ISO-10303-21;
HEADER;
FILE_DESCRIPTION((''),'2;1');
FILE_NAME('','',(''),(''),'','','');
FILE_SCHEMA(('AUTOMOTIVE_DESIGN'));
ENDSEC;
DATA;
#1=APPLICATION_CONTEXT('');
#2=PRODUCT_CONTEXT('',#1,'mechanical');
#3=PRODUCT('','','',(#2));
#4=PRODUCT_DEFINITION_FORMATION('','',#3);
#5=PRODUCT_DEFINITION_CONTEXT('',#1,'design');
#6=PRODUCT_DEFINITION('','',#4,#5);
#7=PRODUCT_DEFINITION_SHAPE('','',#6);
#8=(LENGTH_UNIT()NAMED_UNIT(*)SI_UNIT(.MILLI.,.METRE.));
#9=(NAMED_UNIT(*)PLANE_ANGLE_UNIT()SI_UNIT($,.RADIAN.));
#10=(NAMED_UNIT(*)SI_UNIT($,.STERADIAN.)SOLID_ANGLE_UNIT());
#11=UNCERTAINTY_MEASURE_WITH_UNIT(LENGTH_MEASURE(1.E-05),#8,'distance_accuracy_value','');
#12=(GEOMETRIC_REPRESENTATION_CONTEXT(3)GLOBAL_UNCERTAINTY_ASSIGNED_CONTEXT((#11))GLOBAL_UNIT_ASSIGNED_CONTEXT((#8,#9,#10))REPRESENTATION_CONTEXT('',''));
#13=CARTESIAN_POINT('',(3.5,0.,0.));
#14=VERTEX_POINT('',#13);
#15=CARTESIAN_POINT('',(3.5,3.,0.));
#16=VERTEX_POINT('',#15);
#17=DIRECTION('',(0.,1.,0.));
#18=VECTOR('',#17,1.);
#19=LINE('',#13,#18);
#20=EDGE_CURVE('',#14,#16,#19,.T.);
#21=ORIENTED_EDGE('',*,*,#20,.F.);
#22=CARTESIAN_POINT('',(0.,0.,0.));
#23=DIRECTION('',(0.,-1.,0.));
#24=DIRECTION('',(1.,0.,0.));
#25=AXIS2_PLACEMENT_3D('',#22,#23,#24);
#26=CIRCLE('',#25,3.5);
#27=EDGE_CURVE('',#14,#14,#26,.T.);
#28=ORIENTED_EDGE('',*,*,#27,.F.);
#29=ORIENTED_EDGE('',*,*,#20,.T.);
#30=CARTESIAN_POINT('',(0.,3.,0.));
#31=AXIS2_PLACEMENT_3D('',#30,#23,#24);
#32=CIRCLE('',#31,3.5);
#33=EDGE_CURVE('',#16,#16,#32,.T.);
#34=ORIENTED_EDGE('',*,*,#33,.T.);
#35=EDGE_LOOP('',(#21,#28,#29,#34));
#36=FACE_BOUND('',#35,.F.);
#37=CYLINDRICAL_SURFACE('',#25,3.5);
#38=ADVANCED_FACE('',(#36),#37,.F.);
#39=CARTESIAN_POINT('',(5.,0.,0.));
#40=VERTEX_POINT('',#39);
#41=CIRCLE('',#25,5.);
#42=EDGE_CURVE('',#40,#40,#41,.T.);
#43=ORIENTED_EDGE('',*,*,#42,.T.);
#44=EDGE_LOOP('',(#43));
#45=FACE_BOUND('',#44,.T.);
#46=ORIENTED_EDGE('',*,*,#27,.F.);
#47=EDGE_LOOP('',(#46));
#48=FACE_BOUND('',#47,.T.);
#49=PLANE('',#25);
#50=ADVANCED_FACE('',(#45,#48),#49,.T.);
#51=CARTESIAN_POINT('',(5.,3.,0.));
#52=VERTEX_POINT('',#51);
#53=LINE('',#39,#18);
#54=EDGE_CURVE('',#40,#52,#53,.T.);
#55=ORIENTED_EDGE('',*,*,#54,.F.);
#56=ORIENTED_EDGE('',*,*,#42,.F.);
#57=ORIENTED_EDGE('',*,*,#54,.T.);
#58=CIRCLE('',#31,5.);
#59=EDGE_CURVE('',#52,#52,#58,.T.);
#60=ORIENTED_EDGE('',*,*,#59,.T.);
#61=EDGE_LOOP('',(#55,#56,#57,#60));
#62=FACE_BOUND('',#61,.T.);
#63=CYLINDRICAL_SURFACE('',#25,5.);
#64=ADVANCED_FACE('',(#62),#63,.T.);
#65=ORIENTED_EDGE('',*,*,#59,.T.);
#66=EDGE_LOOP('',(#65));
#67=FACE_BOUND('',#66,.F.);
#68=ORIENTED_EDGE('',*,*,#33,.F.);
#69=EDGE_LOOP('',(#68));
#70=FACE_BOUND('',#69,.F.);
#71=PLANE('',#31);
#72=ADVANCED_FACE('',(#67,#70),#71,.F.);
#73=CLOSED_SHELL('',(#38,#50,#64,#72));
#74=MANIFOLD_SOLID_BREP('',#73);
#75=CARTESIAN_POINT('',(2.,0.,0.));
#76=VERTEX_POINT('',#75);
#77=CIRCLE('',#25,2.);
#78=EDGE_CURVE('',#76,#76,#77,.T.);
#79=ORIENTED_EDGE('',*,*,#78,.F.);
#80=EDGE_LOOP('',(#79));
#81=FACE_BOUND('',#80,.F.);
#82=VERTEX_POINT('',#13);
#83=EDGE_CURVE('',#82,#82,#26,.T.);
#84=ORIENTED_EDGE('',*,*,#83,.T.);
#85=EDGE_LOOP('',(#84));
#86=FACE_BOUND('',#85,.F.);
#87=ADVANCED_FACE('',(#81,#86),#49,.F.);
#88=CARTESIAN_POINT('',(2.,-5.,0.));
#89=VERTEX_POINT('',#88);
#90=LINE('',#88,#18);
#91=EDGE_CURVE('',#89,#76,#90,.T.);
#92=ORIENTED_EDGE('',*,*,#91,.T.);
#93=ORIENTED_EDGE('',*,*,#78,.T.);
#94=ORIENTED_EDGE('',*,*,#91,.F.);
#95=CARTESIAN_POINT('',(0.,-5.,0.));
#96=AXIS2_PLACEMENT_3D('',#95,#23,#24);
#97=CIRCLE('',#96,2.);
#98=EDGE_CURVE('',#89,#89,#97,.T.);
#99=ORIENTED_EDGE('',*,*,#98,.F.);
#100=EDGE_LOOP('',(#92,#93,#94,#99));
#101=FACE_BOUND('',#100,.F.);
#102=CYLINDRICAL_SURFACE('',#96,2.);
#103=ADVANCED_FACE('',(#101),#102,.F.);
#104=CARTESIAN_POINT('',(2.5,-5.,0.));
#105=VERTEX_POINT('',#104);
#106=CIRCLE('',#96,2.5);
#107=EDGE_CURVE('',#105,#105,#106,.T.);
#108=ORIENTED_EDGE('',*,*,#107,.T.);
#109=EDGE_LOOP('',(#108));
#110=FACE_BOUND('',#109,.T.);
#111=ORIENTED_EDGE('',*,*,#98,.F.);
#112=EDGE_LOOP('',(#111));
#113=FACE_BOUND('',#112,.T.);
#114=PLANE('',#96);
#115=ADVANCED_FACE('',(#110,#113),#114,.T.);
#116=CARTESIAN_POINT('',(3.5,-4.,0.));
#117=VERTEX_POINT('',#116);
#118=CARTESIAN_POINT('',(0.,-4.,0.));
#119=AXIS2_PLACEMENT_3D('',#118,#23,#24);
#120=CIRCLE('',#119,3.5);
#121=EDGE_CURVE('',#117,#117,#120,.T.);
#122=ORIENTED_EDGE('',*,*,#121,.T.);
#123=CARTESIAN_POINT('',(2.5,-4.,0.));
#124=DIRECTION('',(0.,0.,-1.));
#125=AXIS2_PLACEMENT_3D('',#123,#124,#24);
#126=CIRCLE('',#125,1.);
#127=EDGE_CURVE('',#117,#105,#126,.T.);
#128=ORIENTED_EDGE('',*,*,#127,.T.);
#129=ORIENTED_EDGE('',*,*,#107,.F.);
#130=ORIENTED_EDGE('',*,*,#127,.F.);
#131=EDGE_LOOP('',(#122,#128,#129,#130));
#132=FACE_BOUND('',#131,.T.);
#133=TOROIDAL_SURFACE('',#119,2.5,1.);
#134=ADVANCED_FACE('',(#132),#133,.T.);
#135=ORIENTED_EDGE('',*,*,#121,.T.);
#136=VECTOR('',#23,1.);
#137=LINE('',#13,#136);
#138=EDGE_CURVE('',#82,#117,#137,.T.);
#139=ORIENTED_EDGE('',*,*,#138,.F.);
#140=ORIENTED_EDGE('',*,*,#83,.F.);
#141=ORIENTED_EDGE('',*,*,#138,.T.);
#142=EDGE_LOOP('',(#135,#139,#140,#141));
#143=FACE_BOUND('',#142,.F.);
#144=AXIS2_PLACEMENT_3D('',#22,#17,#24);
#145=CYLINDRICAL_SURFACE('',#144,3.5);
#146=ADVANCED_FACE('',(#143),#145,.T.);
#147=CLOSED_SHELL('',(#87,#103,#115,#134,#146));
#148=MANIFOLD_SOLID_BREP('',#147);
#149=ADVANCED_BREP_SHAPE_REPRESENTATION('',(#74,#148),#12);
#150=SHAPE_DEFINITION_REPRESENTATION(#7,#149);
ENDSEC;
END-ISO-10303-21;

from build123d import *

# Parameters (mm, degrees)
F0_R     = 5
F0_R_2   = 3.5
F1_DEPTH = 3
F2_DEPTH = 5
F3_R     = 2
F4_DEPTH = 5
F5_R     = 1


with BuildPart() as f1:
    # F0 (on Front) → F1 (new body)
    with BuildSketch(Plane.XZ):
        Circle(F0_R)
        Circle(F0_R_2, mode=Mode.SUBTRACT)
    extrude(amount=-F1_DEPTH)


with BuildPart() as f2:
    # F0 (on Front) → F2 (new body)
    with BuildSketch(Plane.XZ):
        Circle(F0_R_2)
    extrude(amount=F2_DEPTH)

    # F3 (on face) → F4 (cut)
    with BuildSketch(Plane.XZ.offset(5)):
        Circle(F3_R)
    extrude(amount=-F4_DEPTH, mode=Mode.SUBTRACT)

    # F5
    f5_edges = [f2.edges().sort_by_distance(p)[0] for p in [
        (-3.5, -5, 0),
    ]]
    fillet(f5_edges, radius=F5_R)


solid = Compound([f1.part, f2.part])
